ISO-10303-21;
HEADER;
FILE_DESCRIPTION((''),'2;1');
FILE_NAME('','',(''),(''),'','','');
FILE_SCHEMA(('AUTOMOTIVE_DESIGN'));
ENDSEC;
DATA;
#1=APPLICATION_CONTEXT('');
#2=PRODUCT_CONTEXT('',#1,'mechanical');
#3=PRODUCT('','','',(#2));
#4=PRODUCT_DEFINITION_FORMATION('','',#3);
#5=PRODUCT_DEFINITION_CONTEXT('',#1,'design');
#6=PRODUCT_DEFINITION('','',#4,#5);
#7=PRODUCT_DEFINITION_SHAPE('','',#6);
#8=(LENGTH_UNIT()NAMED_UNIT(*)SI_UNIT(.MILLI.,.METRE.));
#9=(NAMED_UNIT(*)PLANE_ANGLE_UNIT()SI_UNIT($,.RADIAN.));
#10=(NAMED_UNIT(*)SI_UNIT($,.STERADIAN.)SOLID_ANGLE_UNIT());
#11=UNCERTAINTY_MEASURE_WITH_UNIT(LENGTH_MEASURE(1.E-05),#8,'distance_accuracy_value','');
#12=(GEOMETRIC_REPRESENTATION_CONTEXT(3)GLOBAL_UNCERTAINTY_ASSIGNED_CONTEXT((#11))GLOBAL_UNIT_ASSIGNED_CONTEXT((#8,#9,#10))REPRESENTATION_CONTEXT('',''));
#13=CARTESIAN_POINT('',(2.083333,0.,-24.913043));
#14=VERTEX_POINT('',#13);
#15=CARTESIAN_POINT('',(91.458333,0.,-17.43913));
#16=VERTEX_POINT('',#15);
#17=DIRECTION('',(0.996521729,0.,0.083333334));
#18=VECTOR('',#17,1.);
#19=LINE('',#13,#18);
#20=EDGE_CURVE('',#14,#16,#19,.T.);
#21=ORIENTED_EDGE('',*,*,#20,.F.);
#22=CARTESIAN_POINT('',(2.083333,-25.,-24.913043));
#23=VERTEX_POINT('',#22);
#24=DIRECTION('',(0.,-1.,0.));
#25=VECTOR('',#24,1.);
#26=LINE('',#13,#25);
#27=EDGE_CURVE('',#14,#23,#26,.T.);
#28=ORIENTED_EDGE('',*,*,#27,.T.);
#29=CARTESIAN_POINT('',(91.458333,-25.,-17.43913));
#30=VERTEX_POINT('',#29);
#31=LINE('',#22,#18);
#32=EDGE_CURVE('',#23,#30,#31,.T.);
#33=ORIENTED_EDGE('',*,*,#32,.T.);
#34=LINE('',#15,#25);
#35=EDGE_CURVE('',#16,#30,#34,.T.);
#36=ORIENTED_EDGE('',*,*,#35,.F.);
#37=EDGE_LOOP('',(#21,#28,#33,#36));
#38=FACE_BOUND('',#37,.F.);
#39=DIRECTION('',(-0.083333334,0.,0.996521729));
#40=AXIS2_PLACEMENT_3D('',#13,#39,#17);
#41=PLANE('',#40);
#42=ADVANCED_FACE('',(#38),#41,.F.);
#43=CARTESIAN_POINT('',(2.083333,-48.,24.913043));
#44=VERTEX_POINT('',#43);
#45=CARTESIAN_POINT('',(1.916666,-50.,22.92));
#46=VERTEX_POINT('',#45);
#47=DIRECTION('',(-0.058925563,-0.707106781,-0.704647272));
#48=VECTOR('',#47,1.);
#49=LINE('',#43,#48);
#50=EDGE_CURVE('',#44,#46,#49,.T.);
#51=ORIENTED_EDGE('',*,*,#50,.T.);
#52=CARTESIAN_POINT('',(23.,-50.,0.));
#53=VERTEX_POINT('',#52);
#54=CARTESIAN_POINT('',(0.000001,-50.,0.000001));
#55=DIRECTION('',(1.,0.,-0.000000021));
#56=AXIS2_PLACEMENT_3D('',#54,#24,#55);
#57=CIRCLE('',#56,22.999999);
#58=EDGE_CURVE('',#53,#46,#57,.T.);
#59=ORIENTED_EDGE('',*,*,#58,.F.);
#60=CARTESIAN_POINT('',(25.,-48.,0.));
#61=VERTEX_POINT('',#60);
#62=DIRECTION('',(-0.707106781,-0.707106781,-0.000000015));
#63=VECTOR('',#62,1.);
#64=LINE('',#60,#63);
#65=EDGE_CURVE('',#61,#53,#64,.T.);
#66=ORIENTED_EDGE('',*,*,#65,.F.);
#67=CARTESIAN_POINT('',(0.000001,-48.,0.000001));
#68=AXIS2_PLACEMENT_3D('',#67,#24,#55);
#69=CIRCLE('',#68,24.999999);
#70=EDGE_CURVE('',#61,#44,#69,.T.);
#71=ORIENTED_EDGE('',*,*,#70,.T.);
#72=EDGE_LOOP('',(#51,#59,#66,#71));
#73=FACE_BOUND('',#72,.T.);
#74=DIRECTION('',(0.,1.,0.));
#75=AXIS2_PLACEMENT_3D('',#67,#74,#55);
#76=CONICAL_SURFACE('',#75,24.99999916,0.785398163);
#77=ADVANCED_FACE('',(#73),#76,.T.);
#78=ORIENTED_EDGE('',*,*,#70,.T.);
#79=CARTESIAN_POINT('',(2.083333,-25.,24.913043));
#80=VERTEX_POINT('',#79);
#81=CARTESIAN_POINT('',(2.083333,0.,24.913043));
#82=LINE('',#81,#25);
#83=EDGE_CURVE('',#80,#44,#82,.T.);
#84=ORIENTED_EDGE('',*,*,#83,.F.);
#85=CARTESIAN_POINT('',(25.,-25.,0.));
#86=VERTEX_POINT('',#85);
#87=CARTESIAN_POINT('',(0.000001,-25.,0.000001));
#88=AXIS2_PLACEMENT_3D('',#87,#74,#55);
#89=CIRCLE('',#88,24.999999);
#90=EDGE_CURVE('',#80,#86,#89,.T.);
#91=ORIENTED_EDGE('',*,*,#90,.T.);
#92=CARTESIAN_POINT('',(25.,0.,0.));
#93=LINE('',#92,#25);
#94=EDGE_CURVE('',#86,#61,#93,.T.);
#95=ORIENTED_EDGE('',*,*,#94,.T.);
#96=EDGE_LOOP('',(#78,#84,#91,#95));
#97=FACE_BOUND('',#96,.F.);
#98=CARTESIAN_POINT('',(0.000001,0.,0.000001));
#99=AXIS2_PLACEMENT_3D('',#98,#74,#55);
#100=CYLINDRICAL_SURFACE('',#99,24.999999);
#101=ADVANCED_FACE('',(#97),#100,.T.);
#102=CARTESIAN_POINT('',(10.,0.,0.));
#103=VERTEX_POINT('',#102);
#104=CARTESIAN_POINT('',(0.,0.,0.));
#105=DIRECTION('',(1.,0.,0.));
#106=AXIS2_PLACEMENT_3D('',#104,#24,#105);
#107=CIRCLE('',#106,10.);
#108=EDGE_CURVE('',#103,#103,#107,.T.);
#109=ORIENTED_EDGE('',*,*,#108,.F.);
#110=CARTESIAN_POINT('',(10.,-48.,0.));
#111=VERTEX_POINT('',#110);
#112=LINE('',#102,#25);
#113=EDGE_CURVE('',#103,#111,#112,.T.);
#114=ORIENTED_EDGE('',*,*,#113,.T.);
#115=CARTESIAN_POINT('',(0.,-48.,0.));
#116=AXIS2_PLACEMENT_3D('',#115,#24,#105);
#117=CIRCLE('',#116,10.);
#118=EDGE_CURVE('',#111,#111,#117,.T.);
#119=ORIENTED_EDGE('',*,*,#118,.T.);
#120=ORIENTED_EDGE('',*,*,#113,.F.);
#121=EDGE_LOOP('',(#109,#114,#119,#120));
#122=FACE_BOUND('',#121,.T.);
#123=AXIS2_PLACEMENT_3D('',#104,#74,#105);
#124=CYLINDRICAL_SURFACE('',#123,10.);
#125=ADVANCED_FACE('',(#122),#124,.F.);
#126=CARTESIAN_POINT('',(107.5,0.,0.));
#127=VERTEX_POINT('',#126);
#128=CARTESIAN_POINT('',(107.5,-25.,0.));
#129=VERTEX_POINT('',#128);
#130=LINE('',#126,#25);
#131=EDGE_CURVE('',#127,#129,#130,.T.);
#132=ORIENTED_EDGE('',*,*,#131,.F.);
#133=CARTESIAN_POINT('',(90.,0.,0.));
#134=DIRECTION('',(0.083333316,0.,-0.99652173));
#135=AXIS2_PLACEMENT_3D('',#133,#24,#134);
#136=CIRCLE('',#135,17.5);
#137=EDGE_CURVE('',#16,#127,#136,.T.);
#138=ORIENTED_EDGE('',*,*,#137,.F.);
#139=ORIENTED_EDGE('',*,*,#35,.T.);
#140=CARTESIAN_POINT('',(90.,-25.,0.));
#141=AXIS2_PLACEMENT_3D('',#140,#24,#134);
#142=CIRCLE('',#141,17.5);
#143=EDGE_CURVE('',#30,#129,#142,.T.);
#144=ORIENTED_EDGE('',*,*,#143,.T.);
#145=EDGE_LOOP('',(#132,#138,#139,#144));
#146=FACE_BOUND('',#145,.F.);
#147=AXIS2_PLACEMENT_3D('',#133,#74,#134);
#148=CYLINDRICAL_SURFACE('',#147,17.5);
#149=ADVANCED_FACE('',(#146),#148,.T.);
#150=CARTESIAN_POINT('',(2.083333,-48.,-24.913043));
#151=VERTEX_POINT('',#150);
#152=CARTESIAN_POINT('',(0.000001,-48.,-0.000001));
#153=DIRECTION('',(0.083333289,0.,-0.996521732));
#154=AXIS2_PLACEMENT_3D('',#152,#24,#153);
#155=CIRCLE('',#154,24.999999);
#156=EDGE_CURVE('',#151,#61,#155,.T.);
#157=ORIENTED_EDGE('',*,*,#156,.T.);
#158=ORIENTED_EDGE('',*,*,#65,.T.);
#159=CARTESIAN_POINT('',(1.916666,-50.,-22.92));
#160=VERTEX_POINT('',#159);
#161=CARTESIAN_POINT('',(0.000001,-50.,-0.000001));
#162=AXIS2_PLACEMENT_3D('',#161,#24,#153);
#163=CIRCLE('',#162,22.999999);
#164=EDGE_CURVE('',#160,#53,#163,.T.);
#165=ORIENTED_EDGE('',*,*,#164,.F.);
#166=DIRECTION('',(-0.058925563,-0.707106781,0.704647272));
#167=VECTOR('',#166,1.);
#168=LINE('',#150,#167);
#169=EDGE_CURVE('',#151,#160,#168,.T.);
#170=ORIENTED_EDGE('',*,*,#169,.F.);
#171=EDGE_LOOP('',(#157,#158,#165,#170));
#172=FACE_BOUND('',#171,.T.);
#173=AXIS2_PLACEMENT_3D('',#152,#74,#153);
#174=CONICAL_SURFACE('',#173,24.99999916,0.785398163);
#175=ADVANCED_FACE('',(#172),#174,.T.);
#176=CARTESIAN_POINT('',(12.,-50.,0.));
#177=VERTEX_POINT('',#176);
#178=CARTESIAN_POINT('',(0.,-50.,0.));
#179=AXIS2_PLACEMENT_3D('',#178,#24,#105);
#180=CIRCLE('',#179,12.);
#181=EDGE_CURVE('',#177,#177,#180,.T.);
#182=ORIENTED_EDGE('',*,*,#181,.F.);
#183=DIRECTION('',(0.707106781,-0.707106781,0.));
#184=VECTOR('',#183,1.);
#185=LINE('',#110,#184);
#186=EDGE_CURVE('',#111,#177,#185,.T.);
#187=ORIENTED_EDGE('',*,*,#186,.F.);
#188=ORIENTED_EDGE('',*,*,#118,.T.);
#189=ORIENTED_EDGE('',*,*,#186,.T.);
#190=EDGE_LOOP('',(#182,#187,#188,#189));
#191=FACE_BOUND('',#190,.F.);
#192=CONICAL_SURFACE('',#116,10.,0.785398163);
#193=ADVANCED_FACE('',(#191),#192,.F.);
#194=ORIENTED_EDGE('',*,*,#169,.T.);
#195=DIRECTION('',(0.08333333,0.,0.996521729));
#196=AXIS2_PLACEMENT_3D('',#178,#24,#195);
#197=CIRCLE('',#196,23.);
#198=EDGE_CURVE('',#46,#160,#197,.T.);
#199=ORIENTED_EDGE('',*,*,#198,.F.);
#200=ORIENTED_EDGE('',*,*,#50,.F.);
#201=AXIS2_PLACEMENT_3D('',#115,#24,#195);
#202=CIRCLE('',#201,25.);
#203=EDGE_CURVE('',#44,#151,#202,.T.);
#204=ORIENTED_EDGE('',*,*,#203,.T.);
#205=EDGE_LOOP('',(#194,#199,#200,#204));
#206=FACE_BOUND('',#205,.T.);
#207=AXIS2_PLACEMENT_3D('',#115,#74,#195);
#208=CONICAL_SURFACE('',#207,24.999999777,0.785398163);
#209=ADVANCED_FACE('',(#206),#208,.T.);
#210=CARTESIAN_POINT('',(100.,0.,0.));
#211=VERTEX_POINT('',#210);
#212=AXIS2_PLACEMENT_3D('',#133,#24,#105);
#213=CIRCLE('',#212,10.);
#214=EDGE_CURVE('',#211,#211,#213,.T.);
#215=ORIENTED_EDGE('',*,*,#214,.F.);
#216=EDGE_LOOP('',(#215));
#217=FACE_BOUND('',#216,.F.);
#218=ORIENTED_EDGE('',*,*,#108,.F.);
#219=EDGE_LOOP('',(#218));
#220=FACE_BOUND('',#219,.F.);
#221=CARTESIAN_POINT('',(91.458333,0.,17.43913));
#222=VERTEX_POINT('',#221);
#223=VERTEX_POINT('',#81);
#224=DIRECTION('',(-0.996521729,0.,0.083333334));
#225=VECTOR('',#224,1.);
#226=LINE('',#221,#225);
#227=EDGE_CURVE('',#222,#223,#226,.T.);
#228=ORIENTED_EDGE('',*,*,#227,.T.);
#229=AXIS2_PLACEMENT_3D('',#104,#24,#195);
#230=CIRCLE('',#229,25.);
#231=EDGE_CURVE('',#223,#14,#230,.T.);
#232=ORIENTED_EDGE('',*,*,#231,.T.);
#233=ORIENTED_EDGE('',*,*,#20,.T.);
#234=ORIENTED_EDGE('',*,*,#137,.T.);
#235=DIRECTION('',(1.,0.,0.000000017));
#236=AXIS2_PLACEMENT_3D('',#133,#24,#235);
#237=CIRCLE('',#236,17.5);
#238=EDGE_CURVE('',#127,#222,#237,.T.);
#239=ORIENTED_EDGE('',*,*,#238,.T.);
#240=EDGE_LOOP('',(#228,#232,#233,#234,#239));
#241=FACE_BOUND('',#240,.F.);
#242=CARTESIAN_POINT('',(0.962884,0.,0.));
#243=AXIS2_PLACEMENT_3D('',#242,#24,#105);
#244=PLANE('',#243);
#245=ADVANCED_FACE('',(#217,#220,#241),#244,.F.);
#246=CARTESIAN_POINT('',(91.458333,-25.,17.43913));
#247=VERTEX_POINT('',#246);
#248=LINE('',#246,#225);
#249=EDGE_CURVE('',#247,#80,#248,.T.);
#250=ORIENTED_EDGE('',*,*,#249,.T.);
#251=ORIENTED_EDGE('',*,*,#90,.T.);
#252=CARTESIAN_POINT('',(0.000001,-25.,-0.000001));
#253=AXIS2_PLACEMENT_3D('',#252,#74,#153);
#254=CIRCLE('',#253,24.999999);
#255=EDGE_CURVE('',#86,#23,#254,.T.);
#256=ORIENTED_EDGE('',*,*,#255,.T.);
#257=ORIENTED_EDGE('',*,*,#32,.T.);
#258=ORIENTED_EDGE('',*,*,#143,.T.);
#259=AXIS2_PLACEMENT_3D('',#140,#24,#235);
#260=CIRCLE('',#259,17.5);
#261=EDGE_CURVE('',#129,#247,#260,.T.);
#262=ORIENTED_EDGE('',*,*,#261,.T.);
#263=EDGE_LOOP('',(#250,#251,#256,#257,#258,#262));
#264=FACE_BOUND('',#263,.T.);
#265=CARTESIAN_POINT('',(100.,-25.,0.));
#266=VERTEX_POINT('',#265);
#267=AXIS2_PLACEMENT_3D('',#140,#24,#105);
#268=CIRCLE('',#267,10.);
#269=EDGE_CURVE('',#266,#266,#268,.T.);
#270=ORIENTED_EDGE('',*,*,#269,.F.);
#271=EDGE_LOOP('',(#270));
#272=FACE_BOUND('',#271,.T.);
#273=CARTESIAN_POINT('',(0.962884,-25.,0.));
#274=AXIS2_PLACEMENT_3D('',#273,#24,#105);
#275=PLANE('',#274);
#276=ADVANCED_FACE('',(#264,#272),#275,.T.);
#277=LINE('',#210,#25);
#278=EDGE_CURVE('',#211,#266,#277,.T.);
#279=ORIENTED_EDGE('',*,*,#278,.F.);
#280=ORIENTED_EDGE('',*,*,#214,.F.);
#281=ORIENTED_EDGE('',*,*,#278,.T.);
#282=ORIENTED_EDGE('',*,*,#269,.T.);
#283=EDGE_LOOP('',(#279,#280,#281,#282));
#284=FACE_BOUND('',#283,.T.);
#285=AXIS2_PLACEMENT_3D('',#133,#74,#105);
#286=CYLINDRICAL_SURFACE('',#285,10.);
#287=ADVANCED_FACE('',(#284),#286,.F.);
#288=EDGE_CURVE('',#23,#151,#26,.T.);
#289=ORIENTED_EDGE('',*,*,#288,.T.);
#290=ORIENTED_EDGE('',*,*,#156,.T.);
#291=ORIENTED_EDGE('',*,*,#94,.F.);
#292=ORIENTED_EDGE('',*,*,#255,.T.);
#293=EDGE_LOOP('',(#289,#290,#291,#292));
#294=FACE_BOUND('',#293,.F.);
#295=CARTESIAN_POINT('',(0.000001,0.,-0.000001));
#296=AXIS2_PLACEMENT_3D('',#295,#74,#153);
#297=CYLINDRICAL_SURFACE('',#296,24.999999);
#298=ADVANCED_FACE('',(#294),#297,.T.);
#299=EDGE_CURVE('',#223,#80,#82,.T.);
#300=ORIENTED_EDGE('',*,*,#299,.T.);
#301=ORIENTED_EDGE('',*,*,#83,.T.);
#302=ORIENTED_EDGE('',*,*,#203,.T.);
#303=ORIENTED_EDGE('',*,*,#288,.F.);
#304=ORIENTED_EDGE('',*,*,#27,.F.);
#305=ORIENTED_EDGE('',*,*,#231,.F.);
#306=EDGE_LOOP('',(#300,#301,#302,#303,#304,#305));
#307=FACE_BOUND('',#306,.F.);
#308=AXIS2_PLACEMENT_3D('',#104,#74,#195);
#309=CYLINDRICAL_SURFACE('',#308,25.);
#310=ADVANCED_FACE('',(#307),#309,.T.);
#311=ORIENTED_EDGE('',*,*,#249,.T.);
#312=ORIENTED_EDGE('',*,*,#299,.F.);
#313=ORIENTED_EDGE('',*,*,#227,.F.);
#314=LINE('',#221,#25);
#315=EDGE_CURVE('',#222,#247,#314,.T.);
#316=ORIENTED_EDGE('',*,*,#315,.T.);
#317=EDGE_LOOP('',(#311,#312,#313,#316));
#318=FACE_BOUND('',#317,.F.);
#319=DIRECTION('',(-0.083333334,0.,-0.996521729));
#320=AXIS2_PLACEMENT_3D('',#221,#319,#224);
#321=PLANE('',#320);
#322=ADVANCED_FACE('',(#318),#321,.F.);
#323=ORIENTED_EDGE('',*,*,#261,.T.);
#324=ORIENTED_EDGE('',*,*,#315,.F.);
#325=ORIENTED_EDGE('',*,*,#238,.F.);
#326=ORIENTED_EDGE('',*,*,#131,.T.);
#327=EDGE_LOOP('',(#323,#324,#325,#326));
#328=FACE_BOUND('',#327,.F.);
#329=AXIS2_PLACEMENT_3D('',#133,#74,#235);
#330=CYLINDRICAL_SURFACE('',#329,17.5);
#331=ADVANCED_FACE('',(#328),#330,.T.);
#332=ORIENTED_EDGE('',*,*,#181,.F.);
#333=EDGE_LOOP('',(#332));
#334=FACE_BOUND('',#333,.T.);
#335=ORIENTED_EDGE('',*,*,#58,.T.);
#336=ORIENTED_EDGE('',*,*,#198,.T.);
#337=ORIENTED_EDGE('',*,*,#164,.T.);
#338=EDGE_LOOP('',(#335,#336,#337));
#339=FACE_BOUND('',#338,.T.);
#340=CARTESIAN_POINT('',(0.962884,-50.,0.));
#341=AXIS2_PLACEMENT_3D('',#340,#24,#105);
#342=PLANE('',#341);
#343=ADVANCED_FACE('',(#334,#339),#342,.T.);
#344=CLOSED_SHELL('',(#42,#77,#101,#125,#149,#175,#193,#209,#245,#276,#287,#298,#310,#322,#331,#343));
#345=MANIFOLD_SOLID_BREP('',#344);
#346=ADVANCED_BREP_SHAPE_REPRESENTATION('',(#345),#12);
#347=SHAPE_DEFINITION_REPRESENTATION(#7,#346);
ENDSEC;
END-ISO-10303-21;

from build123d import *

# Parameters (mm, degrees)
F0_R     = 10
F1_DEPTH = 25
F2_DEPTH = 50
F3_SIZE  = 2


with BuildPart() as f1:
    # F0 (on Front) → F1 (new body)
    with BuildSketch(Plane.XZ):
        with BuildLine():
            ThreePointArc((2.083333, -24.913043), (18.399502, -16.92508), (25, 0))
            ThreePointArc((25, 0), (18.399502, 16.92508), (2.083333, 24.913043))
            ThreePointArc((2.083333, 24.913043), (-25, 0), (2.083333, -24.913043))
        make_face()
        Circle(F0_R, mode=Mode.SUBTRACT)
        with BuildLine():
            ThreePointArc((2.083333, 24.913043), (18.399502, 16.92508), (25, 0))
            ThreePointArc((25, 0), (18.399502, -16.92508), (2.083333, -24.913043))
            Line((2.083333, -24.913043), (91.458333, -17.43913))
            ThreePointArc((91.458333, -17.43913), (72.5, 0), (91.458333, 17.43913))
            Line((91.458333, 17.43913), (2.083333, 24.913043))
        make_face()
        with BuildLine():
            ThreePointArc((107.5, 0), (102.879651, 11.847556), (91.458333, 17.43913))
            ThreePointArc((91.458333, 17.43913), (72.5, 0), (91.458333, -17.43913))
            ThreePointArc((91.458333, -17.43913), (102.879651, -11.847556), (107.5, 0))
        make_face()
        with Locations((90, 0)):
            Circle(F0_R, mode=Mode.SUBTRACT)
    extrude(amount=F1_DEPTH)

    # F0 (on Front) → F2 (join)
    with BuildSketch(Plane.XZ):
        with BuildLine():
            ThreePointArc((2.083333, -24.913043), (18.399502, -16.92508), (25, 0))
            ThreePointArc((25, 0), (18.399502, 16.92508), (2.083333, 24.913043))
            ThreePointArc((2.083333, 24.913043), (-25, 0), (2.083333, -24.913043))
        make_face()
        Circle(F0_R, mode=Mode.SUBTRACT)
    extrude(amount=F2_DEPTH)

    # F3
    f3_edges = [f1.edges().sort_by_distance(p)[0] for p in [
        (-2.083333, -50, 24.913043),
        (-10, -50, 0),
    ]]
    chamfer(f3_edges, length=F3_SIZE)


solid = f1.part
